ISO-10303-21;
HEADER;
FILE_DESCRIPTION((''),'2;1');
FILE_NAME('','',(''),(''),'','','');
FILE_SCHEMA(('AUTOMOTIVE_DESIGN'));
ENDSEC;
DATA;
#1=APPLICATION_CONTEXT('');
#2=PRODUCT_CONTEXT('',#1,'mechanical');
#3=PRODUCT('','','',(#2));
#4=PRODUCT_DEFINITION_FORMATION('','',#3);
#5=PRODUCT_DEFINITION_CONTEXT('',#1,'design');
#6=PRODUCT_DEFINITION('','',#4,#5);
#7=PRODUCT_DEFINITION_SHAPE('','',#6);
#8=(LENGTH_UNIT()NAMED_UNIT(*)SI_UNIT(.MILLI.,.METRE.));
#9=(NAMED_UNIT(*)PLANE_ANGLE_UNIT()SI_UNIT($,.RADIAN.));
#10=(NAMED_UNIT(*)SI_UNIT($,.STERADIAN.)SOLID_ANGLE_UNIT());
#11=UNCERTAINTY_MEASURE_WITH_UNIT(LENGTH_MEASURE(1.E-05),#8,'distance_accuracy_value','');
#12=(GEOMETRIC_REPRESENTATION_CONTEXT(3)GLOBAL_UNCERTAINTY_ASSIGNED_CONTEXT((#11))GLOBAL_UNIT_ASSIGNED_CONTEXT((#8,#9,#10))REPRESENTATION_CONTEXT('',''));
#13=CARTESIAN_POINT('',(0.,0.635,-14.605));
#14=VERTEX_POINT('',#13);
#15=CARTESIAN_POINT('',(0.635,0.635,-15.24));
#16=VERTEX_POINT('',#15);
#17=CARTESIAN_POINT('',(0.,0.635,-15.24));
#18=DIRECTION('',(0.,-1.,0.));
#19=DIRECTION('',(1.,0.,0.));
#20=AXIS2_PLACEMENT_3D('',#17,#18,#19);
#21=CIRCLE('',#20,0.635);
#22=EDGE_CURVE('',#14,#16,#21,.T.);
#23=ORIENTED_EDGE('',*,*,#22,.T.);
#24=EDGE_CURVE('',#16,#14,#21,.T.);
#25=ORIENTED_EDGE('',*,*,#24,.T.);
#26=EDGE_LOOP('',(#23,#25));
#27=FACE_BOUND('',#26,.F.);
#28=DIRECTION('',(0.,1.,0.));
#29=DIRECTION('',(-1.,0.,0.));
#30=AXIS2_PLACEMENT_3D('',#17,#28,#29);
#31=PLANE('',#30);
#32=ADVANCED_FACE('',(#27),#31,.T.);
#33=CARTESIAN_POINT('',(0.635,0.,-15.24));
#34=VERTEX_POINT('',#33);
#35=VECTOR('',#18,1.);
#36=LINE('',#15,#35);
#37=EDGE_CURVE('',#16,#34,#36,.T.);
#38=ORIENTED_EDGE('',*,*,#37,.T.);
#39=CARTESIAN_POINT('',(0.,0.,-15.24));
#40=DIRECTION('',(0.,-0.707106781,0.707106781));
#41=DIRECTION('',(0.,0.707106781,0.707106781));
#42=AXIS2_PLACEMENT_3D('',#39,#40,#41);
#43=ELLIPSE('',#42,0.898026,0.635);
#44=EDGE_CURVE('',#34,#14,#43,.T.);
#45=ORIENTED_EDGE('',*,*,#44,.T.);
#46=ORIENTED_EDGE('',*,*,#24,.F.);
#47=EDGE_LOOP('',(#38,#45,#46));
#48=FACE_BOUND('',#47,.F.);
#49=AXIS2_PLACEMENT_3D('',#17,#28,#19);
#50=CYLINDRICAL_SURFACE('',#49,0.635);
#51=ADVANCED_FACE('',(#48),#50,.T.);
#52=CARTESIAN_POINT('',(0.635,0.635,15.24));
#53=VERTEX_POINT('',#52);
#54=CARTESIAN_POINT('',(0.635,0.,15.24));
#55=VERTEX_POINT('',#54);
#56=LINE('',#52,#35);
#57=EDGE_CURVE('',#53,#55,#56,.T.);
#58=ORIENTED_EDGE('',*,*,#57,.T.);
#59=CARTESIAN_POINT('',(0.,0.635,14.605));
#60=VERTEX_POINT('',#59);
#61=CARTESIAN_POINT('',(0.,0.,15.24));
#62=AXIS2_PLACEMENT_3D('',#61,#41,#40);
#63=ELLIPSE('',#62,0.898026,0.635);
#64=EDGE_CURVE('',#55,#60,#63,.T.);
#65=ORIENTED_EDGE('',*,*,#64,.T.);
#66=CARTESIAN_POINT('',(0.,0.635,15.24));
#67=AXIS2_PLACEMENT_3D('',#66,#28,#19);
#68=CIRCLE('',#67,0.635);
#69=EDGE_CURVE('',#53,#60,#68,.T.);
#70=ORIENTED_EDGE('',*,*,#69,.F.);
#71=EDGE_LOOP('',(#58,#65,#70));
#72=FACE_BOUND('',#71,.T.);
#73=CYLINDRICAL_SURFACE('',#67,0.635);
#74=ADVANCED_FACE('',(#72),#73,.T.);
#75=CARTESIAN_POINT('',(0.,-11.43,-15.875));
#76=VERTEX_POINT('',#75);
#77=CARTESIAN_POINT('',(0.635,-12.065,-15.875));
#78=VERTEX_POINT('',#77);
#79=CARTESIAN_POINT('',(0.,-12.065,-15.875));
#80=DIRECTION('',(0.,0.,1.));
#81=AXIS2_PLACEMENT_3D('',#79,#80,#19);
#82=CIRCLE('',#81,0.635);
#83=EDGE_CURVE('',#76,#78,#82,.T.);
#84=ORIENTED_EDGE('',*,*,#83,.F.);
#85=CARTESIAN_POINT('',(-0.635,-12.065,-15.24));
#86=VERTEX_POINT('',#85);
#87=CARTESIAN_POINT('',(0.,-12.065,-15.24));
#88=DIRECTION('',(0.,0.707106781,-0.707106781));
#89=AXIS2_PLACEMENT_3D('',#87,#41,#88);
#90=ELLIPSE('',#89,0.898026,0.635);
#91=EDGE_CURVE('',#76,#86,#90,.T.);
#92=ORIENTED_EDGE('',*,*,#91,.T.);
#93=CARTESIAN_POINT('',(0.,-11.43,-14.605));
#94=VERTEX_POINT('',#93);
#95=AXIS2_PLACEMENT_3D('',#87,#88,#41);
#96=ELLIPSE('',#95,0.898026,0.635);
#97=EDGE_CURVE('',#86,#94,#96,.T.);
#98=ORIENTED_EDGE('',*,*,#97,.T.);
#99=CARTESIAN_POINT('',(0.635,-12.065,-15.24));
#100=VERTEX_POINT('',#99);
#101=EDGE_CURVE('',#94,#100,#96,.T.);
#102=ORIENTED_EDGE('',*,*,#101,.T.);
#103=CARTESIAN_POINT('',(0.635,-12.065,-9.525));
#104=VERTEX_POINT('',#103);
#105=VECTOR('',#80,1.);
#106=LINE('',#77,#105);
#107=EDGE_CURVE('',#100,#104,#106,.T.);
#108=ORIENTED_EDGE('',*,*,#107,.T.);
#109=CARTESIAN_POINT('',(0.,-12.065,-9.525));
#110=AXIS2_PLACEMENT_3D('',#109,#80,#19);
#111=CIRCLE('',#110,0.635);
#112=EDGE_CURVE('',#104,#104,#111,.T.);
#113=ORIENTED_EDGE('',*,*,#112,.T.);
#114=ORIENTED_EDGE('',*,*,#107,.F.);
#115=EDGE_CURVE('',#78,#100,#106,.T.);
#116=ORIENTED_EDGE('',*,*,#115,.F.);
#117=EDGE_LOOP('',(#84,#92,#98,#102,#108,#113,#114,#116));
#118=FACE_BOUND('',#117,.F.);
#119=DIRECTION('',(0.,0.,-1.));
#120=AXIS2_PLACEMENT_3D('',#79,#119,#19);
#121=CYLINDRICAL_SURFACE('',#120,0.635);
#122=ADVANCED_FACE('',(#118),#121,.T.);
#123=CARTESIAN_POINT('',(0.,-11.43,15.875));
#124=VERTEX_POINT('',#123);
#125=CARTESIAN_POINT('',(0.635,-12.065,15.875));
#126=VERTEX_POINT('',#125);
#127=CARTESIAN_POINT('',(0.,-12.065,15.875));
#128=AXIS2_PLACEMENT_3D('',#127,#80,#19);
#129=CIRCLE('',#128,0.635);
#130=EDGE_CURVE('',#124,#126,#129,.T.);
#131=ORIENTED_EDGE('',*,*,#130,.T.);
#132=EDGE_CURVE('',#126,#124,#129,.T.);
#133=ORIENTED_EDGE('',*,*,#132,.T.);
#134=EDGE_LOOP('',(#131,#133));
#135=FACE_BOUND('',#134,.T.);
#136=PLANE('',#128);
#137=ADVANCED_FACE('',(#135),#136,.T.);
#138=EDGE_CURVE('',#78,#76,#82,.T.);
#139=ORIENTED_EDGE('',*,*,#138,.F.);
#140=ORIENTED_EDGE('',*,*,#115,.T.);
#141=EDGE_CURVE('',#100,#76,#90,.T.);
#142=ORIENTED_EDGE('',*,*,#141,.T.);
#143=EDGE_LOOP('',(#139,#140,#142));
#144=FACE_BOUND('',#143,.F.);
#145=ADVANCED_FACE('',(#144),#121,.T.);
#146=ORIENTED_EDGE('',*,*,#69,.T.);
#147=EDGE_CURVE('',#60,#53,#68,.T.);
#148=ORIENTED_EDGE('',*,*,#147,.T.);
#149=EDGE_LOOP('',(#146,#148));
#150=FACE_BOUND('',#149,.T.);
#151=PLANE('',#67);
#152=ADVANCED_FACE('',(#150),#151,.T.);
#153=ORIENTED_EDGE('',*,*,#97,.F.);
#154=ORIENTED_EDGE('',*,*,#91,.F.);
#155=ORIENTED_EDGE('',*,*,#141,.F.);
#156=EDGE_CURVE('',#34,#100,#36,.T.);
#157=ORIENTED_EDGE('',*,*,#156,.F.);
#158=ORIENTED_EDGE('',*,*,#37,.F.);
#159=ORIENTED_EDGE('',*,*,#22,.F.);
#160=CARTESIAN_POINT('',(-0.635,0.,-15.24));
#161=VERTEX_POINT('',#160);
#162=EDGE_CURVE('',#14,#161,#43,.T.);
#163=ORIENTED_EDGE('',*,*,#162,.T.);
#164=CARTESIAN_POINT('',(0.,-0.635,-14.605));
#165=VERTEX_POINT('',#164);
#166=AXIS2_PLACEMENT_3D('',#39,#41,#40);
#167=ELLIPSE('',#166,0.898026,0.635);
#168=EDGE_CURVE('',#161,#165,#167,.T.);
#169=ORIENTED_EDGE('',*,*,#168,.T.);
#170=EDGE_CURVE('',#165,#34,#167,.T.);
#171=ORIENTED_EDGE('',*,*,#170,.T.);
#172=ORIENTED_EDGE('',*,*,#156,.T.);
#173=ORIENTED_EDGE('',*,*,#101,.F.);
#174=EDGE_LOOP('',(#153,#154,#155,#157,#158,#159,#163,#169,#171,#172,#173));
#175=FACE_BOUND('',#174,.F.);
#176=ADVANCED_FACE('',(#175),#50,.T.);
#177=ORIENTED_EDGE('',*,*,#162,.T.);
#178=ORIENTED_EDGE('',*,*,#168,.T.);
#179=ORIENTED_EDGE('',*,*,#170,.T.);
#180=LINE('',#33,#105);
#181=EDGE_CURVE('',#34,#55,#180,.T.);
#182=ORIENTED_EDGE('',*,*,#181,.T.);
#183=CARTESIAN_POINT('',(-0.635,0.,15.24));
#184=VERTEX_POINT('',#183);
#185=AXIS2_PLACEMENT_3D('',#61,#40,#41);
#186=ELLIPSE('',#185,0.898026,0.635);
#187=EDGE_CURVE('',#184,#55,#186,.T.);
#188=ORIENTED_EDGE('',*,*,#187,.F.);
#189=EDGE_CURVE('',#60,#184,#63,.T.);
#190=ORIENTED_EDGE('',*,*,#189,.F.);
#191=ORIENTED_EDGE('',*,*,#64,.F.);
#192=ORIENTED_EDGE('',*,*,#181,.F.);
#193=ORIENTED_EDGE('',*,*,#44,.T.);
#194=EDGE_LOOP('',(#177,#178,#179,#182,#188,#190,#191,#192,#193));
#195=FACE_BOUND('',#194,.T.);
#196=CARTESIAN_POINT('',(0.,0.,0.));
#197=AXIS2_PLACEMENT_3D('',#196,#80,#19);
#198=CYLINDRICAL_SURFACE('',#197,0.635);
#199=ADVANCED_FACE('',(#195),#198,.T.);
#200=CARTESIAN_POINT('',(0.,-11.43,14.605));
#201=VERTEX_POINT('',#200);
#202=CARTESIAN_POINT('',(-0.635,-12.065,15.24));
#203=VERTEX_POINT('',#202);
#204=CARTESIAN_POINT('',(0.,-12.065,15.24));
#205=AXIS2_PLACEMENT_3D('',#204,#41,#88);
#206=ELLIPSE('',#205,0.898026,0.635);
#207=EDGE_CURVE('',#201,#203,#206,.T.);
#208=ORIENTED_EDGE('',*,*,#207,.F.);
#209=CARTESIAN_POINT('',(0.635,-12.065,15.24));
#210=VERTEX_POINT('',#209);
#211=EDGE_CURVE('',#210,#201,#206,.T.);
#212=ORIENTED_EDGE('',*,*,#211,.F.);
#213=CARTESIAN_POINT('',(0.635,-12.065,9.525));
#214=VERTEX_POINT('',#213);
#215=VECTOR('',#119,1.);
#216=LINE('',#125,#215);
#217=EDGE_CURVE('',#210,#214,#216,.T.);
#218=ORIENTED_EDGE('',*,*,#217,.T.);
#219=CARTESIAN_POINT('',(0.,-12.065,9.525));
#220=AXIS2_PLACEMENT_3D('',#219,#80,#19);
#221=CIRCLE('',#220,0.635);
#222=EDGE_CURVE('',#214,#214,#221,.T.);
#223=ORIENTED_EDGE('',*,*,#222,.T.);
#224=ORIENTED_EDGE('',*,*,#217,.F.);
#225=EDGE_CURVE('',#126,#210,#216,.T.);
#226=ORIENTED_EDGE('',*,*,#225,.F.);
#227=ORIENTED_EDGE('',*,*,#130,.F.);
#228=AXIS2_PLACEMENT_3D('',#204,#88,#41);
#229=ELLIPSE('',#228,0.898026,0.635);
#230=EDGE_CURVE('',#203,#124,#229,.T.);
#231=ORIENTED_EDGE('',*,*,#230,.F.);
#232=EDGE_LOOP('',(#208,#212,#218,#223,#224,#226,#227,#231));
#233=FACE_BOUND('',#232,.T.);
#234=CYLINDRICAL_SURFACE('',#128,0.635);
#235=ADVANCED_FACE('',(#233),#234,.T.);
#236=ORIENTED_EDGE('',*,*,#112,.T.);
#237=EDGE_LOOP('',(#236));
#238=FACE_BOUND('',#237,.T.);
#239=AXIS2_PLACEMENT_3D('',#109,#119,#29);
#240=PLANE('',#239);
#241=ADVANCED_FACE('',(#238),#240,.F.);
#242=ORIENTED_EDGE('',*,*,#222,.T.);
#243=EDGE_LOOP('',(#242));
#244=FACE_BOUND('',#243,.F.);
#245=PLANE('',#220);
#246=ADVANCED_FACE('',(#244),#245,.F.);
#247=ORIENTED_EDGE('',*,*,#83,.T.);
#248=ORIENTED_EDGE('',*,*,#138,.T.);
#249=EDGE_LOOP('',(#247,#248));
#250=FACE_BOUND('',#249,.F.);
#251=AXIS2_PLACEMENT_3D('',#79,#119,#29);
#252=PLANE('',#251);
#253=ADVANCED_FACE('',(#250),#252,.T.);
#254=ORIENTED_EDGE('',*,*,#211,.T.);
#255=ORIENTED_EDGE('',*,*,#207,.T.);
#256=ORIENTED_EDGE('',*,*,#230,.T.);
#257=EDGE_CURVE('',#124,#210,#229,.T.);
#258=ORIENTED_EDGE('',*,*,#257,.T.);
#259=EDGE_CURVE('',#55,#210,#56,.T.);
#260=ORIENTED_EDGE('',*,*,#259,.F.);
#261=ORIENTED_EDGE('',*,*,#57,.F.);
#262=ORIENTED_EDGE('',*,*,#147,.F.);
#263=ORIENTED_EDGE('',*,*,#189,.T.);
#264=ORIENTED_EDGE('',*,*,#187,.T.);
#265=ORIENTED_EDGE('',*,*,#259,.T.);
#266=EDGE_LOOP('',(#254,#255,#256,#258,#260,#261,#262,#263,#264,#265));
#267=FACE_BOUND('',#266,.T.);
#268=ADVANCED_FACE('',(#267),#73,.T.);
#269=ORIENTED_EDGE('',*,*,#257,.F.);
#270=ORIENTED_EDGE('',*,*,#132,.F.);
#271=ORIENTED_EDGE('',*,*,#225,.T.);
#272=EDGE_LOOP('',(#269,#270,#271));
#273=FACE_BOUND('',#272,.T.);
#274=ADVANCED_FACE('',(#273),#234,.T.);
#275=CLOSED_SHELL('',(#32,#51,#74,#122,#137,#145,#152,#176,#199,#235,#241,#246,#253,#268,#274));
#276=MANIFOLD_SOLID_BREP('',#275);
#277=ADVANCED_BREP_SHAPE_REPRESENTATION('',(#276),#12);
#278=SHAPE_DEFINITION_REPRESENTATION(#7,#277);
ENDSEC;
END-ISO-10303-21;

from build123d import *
from build123d.topology import SkipClean

# Parameters (mm, degrees)
SKETCH1_R           = 0.635
BOSS_EXTRUDE1_DEPTH = 15.24
SKETCH2_R           = 0.635
BOSS_EXTRUDE2_DEPTH = 12.7
SKETCH3_R           = 0.635
BOSS_EXTRUDE3_DEPTH = 6.35


with BuildPart() as part:
    # Sketch1 → Boss-Extrude1 (new, symmetric)
    with BuildSketch(Plane.XY):
        Circle(SKETCH1_R)
    extrude(amount=BOSS_EXTRUDE1_DEPTH, both=True)

    # Sketch2 → Boss-Extrude2 (add)
    with BuildSketch(Plane(origin=(0, 0.635, 0), x_dir=(1, 0, 0), z_dir=(0, 1, 0))):
        with Locations((0, -15.24)):
            Circle(SKETCH2_R)
    boss_extrude2 = extrude(amount=-BOSS_EXTRUDE2_DEPTH)

    # Sketch3 → Boss-Extrude3 (add)
    with SkipClean():  # the faces are left unmerged after this step: merging them gives an invalid solid
        with BuildSketch(Plane.XY.offset(15.875)):
            with Locations((0, -12.065)):
                Circle(SKETCH3_R)
        boss_extrude3 = extrude(amount=-BOSS_EXTRUDE3_DEPTH)

    # Mirror1: Boss-Extrude2, Boss-Extrude3 across plane
    with SkipClean():  # the faces are left unmerged after this step: merging them gives an invalid solid
        add(boss_extrude2.mirror(Plane.XY))
        add(boss_extrude3.mirror(Plane.XY))


solid = part.part
